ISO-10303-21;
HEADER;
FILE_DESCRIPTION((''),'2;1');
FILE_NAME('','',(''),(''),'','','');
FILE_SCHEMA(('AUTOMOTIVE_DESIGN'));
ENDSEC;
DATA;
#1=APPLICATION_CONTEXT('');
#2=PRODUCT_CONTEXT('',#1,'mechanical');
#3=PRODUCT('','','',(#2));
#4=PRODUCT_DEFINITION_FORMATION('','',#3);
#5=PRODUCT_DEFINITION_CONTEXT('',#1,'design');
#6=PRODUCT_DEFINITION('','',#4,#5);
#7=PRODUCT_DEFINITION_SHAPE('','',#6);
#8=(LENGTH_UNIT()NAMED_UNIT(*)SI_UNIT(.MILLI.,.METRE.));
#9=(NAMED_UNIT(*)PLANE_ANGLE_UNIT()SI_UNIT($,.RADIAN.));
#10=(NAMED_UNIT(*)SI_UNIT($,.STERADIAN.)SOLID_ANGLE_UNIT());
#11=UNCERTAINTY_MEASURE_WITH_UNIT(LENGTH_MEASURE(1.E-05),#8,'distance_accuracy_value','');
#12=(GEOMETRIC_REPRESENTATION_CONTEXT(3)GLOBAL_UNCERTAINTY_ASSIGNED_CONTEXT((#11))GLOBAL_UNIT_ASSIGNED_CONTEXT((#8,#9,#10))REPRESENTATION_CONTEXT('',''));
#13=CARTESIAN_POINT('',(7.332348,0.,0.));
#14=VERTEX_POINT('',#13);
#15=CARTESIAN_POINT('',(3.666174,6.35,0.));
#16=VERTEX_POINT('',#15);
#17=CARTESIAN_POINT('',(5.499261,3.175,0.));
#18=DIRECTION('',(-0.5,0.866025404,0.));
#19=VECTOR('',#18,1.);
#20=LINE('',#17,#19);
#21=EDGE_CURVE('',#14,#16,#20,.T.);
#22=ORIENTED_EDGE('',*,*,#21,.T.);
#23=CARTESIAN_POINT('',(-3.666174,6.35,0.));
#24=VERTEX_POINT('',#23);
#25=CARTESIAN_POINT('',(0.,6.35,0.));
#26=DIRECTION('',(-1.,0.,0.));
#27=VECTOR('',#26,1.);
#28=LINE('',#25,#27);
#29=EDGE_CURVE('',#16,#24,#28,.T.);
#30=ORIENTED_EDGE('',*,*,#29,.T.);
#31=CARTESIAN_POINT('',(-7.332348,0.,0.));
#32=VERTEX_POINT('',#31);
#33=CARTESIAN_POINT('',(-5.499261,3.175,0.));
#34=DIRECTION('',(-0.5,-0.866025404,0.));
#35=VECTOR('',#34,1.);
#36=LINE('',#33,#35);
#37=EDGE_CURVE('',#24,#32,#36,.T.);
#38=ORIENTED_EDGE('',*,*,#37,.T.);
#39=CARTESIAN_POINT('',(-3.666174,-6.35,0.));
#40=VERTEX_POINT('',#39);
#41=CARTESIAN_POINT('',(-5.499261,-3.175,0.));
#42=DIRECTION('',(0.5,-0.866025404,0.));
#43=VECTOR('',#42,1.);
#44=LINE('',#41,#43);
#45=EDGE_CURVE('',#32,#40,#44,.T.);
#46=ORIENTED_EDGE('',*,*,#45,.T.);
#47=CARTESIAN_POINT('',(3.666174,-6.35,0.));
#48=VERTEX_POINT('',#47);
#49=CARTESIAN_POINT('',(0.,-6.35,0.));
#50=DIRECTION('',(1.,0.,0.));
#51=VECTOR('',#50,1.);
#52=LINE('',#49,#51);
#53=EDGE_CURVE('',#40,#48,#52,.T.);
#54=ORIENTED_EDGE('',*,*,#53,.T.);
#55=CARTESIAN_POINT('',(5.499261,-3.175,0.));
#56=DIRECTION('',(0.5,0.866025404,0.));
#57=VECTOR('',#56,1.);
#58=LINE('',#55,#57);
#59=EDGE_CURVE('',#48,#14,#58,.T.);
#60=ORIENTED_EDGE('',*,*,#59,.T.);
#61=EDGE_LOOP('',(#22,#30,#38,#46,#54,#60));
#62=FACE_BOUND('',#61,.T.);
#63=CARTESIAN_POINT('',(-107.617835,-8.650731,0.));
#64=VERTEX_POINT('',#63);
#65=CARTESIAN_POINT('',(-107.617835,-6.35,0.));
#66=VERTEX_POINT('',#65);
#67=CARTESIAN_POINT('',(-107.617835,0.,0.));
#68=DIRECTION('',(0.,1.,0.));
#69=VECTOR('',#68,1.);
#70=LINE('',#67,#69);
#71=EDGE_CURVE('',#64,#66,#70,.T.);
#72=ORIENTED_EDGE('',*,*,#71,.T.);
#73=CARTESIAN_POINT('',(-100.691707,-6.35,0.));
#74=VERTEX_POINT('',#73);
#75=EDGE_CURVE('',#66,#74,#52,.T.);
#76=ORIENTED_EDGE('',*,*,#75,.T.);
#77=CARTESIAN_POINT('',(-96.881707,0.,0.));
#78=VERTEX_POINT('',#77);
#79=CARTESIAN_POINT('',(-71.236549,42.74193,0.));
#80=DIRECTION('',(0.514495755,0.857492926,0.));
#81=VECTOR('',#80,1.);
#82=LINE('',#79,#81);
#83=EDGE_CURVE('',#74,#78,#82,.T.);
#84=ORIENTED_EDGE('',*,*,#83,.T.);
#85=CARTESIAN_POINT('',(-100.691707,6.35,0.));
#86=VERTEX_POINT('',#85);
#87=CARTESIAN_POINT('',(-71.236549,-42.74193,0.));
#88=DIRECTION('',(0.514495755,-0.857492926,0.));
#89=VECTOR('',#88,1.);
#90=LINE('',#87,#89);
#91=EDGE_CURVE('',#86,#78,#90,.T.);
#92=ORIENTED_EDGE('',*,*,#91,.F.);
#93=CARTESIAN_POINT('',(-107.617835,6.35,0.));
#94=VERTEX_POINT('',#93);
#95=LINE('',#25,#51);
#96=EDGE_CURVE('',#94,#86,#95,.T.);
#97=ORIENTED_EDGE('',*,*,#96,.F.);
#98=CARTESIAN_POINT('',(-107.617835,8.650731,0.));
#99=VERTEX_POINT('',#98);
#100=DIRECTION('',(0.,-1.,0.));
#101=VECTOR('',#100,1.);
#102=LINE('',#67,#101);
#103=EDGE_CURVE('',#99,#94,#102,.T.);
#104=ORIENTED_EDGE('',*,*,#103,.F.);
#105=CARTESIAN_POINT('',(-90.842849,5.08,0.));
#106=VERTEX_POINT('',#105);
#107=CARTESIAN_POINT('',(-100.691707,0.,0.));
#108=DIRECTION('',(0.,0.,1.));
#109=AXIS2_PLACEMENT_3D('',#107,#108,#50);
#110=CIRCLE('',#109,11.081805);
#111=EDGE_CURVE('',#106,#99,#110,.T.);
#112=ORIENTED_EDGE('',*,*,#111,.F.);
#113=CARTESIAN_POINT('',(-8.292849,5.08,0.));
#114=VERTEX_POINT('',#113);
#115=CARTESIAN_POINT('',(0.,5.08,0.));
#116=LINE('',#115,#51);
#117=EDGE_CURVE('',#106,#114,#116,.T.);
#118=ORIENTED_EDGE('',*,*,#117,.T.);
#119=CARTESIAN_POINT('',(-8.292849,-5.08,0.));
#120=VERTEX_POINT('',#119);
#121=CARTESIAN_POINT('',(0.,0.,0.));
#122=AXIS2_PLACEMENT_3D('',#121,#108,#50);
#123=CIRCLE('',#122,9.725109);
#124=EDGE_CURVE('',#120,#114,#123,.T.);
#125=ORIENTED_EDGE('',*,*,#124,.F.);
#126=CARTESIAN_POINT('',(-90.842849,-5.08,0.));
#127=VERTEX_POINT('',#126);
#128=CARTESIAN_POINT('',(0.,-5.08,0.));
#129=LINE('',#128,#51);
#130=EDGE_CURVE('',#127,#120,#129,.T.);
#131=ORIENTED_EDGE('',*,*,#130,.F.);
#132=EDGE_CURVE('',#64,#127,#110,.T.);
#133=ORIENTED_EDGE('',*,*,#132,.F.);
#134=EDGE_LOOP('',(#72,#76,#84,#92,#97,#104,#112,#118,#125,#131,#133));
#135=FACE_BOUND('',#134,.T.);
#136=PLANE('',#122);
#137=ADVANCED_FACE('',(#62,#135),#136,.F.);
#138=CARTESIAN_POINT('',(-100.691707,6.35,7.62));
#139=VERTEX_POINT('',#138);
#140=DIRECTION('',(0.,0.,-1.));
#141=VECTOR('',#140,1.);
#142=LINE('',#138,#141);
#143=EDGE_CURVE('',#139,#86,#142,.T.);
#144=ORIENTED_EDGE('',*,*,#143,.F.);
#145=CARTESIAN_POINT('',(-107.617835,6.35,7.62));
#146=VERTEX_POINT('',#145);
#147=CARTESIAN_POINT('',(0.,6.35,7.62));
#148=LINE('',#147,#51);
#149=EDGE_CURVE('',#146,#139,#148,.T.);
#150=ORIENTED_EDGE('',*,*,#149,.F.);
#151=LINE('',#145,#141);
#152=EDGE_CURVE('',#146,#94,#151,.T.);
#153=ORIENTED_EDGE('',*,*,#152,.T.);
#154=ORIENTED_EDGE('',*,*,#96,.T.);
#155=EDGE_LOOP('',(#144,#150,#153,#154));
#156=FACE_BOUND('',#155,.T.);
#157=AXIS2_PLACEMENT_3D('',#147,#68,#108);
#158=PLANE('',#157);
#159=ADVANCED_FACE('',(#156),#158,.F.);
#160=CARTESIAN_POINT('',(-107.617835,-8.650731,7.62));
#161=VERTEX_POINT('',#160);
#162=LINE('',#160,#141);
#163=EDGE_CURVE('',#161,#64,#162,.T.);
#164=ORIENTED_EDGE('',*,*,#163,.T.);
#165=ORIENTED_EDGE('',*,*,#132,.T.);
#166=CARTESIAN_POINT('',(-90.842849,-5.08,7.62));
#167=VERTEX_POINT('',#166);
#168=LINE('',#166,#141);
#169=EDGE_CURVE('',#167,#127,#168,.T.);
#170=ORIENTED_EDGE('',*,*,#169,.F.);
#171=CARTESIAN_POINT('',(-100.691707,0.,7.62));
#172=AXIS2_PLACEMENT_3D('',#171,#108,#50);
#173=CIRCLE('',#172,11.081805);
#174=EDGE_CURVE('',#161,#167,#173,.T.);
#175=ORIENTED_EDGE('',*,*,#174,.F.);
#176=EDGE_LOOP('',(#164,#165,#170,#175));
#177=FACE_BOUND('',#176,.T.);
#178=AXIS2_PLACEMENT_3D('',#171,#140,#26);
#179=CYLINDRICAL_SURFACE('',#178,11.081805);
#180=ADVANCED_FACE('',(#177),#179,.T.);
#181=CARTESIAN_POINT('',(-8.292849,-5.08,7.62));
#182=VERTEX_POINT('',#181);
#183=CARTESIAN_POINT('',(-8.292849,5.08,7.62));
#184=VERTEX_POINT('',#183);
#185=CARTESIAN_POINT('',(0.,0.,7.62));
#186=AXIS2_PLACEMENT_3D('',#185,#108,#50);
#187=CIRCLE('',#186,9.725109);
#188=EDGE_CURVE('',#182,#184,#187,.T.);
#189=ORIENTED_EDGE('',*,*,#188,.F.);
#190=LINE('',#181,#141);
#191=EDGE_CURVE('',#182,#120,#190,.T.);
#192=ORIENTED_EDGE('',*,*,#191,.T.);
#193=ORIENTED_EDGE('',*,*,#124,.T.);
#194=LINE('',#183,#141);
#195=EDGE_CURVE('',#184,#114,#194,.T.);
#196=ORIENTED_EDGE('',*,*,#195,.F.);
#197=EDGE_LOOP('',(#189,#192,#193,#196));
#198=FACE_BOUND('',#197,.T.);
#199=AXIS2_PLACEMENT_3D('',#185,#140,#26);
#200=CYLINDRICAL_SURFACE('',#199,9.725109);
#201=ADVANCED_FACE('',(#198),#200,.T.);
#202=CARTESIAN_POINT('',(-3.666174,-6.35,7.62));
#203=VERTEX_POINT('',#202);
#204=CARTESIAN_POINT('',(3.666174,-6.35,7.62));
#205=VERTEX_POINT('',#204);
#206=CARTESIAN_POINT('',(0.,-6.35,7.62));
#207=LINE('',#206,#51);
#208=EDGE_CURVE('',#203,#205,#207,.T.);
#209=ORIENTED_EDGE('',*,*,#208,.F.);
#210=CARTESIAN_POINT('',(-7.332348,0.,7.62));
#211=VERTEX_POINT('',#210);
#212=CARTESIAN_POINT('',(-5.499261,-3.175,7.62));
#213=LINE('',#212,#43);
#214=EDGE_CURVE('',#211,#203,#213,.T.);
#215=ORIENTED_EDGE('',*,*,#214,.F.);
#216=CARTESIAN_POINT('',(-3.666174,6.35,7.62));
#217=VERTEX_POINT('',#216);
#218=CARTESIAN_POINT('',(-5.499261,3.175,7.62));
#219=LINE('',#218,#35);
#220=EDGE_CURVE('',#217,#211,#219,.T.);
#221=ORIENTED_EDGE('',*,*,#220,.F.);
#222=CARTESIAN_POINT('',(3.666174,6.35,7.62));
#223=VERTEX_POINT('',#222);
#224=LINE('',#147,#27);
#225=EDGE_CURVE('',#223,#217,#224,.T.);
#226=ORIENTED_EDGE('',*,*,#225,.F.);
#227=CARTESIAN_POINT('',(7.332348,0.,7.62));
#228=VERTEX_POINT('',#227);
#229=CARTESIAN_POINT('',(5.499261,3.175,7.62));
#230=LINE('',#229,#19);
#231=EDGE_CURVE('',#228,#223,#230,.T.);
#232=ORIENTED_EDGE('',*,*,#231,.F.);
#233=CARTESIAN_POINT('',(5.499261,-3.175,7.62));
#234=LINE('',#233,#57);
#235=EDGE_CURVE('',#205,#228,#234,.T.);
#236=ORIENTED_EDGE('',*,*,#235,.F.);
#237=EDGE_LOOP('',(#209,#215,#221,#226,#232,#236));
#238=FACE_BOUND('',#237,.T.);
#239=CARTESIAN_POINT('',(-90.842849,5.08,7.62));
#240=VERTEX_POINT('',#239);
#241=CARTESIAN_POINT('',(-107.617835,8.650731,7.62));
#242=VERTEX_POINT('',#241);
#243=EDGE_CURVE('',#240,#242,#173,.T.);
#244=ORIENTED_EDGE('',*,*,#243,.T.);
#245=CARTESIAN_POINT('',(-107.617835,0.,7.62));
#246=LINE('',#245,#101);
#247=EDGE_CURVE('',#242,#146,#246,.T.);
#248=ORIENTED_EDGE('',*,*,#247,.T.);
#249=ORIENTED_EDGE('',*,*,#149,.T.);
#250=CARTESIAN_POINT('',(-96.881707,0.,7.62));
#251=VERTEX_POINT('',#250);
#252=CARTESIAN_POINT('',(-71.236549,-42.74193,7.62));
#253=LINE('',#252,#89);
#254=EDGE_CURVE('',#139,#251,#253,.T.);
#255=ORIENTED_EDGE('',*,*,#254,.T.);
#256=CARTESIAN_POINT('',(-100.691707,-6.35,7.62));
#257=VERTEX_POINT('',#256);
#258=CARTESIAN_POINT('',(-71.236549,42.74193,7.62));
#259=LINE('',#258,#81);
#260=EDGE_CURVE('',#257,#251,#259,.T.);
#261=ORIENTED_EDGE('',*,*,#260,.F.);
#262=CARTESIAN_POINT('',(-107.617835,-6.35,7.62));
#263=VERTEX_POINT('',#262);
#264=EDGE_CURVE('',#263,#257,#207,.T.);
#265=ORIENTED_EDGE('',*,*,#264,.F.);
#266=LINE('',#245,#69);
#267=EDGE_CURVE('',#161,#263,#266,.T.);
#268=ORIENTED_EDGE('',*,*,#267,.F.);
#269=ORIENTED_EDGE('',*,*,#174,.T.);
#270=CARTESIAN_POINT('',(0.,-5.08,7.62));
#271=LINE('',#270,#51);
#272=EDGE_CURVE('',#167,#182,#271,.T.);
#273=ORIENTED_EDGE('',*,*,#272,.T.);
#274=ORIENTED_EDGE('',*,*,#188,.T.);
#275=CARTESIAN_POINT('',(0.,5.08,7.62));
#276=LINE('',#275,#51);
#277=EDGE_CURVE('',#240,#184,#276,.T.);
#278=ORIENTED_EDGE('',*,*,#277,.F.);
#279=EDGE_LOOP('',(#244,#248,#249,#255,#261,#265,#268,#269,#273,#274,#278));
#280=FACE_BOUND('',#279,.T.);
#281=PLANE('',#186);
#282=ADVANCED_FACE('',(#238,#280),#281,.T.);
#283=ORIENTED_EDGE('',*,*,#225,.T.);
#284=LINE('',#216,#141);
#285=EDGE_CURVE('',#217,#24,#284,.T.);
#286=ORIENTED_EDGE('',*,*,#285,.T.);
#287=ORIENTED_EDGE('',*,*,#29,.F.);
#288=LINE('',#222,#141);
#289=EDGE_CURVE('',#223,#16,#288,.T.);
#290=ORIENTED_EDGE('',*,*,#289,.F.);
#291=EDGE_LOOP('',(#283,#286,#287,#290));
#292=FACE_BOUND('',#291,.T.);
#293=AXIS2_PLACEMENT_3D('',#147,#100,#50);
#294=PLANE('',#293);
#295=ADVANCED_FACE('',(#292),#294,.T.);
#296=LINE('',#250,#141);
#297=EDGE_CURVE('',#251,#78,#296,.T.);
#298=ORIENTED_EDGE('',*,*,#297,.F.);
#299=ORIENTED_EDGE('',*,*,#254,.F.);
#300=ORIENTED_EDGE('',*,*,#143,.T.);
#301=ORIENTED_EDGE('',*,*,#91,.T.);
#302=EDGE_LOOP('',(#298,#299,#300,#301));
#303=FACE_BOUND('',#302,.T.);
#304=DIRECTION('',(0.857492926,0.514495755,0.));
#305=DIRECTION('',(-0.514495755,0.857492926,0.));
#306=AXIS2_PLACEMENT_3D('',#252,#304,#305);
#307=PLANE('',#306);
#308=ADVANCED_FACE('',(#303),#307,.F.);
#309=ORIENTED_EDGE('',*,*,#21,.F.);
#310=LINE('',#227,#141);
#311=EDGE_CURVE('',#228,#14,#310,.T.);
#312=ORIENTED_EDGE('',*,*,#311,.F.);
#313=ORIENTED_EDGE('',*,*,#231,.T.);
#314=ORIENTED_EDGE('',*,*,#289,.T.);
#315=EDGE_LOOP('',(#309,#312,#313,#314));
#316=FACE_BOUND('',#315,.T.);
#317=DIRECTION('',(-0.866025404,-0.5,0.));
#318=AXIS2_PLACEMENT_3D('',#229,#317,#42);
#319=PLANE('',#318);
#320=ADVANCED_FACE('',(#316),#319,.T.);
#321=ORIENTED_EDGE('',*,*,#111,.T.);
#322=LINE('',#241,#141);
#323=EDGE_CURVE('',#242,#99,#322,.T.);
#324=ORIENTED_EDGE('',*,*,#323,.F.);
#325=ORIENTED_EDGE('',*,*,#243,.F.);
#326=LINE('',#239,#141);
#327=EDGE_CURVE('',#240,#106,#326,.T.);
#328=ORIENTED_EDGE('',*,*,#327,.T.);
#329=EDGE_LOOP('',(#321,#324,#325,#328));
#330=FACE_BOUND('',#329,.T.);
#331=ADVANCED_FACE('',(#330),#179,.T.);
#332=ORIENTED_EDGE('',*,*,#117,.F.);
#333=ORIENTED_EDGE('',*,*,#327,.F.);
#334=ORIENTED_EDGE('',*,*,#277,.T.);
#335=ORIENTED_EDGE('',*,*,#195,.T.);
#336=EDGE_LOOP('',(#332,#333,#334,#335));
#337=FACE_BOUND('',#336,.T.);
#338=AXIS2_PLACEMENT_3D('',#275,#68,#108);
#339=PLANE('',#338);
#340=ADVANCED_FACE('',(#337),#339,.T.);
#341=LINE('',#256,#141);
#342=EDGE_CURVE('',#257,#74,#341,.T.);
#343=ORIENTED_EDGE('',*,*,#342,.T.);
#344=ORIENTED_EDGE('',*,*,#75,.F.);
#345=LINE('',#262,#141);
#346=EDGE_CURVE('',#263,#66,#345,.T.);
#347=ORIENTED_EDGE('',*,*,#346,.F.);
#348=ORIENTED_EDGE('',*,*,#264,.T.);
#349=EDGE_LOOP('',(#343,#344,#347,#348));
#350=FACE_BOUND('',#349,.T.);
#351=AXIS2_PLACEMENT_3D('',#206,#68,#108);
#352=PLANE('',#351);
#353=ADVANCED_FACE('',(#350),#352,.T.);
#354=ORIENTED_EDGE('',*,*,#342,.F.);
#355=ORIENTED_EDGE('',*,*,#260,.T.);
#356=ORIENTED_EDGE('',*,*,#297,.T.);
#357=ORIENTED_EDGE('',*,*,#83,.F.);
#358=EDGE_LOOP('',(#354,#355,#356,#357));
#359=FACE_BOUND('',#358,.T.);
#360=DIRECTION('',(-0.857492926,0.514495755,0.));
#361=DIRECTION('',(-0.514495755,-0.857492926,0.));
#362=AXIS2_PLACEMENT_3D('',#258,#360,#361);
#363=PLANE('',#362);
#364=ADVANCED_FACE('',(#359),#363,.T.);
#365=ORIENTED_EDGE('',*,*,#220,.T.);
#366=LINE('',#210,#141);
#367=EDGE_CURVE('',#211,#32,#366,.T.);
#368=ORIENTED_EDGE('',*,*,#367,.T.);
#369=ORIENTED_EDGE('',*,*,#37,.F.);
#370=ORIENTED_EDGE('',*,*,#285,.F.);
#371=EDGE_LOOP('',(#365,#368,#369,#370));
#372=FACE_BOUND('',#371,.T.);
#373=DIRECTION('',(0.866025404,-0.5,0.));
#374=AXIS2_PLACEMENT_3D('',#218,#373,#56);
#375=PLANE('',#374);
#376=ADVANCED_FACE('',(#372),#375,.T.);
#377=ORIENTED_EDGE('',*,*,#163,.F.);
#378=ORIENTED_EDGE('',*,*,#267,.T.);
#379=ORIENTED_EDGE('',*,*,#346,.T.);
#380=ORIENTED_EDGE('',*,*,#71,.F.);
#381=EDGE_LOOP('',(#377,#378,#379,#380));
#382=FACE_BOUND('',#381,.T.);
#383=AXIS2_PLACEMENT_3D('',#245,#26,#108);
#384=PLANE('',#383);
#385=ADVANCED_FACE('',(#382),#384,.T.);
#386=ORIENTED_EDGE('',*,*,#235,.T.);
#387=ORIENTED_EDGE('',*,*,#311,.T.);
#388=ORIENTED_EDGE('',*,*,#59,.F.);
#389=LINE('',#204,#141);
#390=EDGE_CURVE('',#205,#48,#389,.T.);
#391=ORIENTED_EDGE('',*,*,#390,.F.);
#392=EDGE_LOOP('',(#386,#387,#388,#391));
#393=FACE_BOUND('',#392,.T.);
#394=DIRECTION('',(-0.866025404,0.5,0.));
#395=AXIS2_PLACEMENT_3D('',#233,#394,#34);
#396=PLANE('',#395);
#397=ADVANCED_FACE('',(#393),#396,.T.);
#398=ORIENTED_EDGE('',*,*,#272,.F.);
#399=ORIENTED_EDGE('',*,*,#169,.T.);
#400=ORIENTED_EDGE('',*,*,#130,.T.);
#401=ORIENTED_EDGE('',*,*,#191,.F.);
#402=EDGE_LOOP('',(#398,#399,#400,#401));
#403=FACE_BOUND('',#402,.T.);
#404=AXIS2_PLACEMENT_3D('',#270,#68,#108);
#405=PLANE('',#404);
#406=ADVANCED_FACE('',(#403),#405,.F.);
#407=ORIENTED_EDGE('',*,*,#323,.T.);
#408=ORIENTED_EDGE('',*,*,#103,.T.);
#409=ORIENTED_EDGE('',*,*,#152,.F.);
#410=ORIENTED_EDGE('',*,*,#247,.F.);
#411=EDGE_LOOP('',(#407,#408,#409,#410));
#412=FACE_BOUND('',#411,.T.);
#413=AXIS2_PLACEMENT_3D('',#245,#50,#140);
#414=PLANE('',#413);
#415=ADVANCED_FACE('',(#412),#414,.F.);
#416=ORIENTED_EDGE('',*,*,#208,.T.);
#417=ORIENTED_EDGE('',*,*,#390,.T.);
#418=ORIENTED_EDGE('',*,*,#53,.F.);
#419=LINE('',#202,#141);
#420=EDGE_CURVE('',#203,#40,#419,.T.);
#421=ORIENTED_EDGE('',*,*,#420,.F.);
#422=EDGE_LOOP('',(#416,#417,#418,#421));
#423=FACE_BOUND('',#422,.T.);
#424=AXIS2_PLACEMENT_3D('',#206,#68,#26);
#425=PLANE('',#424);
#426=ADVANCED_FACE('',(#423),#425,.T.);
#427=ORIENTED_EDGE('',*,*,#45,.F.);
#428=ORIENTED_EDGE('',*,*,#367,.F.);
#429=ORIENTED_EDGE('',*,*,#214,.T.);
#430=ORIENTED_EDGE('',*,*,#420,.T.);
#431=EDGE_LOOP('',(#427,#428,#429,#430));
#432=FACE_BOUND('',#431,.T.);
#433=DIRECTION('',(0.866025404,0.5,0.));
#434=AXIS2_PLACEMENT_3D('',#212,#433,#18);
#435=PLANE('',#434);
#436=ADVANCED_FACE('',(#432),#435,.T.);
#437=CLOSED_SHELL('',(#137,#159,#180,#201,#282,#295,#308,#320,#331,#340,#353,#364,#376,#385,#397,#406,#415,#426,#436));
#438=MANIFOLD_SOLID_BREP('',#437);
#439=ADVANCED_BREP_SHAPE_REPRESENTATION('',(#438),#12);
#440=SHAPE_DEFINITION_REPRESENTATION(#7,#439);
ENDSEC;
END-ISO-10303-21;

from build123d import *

# Parameters (mm, degrees)
SKETCH3_R           = 9.725108951
BOSS_EXTRUDE1_DEPTH = 7.62


with BuildPart() as part:
    # Sketch3 → Boss-Extrude1 (new body)
    # profile 1 of 3: a face of its own
    with BuildSketch(Plane.XY):
        with BuildLine():
            ThreePointArc((-107.617835055, -8.650731277), (-89.609901884, 0), (-107.617835055, 8.650731277))
            Line((-107.617835055, 8.650731277), (-107.617835055, 6.35))
            Line((-107.617835055, 6.35), (-100.691706912, 6.35))
            Line((-100.691706912, 6.35), (-96.881706912, 0))
            Line((-96.881706912, 0), (-100.691706912, -6.35))
            Line((-100.691706912, -6.35), (-107.617835055, -6.35))
            Line((-107.617835055, -6.35), (-107.617835055, -8.650731277))
        make_face()
    # profile 2 of 3: a face of its own
    with BuildSketch(Plane.XY):
        with BuildLine():
            ThreePointArc((-90.842848974, 5.08), (-89.609901884, 0), (-90.842848974, -5.08))
            Line((-90.842848974, -5.08), (-8.292848974, -5.08))
            ThreePointArc((-8.292848974, -5.08), (-9.725108951, 0), (-8.292848974, 5.08))
            Line((-8.292848974, 5.08), (-90.842848974, 5.08))
        make_face()
    # profile 3 of 3: a face of its own
    with BuildSketch(Plane.XY):
        Circle(SKETCH3_R)
        Polygon((3.666174209, -6.35), (7.332348419, 0), (3.666174209, 6.35), (-3.666174209, 6.35), (-7.332348419, 0), (-3.666174209, -6.35), align=None, mode=Mode.SUBTRACT)
    extrude(amount=BOSS_EXTRUDE1_DEPTH)


solid = part.part
